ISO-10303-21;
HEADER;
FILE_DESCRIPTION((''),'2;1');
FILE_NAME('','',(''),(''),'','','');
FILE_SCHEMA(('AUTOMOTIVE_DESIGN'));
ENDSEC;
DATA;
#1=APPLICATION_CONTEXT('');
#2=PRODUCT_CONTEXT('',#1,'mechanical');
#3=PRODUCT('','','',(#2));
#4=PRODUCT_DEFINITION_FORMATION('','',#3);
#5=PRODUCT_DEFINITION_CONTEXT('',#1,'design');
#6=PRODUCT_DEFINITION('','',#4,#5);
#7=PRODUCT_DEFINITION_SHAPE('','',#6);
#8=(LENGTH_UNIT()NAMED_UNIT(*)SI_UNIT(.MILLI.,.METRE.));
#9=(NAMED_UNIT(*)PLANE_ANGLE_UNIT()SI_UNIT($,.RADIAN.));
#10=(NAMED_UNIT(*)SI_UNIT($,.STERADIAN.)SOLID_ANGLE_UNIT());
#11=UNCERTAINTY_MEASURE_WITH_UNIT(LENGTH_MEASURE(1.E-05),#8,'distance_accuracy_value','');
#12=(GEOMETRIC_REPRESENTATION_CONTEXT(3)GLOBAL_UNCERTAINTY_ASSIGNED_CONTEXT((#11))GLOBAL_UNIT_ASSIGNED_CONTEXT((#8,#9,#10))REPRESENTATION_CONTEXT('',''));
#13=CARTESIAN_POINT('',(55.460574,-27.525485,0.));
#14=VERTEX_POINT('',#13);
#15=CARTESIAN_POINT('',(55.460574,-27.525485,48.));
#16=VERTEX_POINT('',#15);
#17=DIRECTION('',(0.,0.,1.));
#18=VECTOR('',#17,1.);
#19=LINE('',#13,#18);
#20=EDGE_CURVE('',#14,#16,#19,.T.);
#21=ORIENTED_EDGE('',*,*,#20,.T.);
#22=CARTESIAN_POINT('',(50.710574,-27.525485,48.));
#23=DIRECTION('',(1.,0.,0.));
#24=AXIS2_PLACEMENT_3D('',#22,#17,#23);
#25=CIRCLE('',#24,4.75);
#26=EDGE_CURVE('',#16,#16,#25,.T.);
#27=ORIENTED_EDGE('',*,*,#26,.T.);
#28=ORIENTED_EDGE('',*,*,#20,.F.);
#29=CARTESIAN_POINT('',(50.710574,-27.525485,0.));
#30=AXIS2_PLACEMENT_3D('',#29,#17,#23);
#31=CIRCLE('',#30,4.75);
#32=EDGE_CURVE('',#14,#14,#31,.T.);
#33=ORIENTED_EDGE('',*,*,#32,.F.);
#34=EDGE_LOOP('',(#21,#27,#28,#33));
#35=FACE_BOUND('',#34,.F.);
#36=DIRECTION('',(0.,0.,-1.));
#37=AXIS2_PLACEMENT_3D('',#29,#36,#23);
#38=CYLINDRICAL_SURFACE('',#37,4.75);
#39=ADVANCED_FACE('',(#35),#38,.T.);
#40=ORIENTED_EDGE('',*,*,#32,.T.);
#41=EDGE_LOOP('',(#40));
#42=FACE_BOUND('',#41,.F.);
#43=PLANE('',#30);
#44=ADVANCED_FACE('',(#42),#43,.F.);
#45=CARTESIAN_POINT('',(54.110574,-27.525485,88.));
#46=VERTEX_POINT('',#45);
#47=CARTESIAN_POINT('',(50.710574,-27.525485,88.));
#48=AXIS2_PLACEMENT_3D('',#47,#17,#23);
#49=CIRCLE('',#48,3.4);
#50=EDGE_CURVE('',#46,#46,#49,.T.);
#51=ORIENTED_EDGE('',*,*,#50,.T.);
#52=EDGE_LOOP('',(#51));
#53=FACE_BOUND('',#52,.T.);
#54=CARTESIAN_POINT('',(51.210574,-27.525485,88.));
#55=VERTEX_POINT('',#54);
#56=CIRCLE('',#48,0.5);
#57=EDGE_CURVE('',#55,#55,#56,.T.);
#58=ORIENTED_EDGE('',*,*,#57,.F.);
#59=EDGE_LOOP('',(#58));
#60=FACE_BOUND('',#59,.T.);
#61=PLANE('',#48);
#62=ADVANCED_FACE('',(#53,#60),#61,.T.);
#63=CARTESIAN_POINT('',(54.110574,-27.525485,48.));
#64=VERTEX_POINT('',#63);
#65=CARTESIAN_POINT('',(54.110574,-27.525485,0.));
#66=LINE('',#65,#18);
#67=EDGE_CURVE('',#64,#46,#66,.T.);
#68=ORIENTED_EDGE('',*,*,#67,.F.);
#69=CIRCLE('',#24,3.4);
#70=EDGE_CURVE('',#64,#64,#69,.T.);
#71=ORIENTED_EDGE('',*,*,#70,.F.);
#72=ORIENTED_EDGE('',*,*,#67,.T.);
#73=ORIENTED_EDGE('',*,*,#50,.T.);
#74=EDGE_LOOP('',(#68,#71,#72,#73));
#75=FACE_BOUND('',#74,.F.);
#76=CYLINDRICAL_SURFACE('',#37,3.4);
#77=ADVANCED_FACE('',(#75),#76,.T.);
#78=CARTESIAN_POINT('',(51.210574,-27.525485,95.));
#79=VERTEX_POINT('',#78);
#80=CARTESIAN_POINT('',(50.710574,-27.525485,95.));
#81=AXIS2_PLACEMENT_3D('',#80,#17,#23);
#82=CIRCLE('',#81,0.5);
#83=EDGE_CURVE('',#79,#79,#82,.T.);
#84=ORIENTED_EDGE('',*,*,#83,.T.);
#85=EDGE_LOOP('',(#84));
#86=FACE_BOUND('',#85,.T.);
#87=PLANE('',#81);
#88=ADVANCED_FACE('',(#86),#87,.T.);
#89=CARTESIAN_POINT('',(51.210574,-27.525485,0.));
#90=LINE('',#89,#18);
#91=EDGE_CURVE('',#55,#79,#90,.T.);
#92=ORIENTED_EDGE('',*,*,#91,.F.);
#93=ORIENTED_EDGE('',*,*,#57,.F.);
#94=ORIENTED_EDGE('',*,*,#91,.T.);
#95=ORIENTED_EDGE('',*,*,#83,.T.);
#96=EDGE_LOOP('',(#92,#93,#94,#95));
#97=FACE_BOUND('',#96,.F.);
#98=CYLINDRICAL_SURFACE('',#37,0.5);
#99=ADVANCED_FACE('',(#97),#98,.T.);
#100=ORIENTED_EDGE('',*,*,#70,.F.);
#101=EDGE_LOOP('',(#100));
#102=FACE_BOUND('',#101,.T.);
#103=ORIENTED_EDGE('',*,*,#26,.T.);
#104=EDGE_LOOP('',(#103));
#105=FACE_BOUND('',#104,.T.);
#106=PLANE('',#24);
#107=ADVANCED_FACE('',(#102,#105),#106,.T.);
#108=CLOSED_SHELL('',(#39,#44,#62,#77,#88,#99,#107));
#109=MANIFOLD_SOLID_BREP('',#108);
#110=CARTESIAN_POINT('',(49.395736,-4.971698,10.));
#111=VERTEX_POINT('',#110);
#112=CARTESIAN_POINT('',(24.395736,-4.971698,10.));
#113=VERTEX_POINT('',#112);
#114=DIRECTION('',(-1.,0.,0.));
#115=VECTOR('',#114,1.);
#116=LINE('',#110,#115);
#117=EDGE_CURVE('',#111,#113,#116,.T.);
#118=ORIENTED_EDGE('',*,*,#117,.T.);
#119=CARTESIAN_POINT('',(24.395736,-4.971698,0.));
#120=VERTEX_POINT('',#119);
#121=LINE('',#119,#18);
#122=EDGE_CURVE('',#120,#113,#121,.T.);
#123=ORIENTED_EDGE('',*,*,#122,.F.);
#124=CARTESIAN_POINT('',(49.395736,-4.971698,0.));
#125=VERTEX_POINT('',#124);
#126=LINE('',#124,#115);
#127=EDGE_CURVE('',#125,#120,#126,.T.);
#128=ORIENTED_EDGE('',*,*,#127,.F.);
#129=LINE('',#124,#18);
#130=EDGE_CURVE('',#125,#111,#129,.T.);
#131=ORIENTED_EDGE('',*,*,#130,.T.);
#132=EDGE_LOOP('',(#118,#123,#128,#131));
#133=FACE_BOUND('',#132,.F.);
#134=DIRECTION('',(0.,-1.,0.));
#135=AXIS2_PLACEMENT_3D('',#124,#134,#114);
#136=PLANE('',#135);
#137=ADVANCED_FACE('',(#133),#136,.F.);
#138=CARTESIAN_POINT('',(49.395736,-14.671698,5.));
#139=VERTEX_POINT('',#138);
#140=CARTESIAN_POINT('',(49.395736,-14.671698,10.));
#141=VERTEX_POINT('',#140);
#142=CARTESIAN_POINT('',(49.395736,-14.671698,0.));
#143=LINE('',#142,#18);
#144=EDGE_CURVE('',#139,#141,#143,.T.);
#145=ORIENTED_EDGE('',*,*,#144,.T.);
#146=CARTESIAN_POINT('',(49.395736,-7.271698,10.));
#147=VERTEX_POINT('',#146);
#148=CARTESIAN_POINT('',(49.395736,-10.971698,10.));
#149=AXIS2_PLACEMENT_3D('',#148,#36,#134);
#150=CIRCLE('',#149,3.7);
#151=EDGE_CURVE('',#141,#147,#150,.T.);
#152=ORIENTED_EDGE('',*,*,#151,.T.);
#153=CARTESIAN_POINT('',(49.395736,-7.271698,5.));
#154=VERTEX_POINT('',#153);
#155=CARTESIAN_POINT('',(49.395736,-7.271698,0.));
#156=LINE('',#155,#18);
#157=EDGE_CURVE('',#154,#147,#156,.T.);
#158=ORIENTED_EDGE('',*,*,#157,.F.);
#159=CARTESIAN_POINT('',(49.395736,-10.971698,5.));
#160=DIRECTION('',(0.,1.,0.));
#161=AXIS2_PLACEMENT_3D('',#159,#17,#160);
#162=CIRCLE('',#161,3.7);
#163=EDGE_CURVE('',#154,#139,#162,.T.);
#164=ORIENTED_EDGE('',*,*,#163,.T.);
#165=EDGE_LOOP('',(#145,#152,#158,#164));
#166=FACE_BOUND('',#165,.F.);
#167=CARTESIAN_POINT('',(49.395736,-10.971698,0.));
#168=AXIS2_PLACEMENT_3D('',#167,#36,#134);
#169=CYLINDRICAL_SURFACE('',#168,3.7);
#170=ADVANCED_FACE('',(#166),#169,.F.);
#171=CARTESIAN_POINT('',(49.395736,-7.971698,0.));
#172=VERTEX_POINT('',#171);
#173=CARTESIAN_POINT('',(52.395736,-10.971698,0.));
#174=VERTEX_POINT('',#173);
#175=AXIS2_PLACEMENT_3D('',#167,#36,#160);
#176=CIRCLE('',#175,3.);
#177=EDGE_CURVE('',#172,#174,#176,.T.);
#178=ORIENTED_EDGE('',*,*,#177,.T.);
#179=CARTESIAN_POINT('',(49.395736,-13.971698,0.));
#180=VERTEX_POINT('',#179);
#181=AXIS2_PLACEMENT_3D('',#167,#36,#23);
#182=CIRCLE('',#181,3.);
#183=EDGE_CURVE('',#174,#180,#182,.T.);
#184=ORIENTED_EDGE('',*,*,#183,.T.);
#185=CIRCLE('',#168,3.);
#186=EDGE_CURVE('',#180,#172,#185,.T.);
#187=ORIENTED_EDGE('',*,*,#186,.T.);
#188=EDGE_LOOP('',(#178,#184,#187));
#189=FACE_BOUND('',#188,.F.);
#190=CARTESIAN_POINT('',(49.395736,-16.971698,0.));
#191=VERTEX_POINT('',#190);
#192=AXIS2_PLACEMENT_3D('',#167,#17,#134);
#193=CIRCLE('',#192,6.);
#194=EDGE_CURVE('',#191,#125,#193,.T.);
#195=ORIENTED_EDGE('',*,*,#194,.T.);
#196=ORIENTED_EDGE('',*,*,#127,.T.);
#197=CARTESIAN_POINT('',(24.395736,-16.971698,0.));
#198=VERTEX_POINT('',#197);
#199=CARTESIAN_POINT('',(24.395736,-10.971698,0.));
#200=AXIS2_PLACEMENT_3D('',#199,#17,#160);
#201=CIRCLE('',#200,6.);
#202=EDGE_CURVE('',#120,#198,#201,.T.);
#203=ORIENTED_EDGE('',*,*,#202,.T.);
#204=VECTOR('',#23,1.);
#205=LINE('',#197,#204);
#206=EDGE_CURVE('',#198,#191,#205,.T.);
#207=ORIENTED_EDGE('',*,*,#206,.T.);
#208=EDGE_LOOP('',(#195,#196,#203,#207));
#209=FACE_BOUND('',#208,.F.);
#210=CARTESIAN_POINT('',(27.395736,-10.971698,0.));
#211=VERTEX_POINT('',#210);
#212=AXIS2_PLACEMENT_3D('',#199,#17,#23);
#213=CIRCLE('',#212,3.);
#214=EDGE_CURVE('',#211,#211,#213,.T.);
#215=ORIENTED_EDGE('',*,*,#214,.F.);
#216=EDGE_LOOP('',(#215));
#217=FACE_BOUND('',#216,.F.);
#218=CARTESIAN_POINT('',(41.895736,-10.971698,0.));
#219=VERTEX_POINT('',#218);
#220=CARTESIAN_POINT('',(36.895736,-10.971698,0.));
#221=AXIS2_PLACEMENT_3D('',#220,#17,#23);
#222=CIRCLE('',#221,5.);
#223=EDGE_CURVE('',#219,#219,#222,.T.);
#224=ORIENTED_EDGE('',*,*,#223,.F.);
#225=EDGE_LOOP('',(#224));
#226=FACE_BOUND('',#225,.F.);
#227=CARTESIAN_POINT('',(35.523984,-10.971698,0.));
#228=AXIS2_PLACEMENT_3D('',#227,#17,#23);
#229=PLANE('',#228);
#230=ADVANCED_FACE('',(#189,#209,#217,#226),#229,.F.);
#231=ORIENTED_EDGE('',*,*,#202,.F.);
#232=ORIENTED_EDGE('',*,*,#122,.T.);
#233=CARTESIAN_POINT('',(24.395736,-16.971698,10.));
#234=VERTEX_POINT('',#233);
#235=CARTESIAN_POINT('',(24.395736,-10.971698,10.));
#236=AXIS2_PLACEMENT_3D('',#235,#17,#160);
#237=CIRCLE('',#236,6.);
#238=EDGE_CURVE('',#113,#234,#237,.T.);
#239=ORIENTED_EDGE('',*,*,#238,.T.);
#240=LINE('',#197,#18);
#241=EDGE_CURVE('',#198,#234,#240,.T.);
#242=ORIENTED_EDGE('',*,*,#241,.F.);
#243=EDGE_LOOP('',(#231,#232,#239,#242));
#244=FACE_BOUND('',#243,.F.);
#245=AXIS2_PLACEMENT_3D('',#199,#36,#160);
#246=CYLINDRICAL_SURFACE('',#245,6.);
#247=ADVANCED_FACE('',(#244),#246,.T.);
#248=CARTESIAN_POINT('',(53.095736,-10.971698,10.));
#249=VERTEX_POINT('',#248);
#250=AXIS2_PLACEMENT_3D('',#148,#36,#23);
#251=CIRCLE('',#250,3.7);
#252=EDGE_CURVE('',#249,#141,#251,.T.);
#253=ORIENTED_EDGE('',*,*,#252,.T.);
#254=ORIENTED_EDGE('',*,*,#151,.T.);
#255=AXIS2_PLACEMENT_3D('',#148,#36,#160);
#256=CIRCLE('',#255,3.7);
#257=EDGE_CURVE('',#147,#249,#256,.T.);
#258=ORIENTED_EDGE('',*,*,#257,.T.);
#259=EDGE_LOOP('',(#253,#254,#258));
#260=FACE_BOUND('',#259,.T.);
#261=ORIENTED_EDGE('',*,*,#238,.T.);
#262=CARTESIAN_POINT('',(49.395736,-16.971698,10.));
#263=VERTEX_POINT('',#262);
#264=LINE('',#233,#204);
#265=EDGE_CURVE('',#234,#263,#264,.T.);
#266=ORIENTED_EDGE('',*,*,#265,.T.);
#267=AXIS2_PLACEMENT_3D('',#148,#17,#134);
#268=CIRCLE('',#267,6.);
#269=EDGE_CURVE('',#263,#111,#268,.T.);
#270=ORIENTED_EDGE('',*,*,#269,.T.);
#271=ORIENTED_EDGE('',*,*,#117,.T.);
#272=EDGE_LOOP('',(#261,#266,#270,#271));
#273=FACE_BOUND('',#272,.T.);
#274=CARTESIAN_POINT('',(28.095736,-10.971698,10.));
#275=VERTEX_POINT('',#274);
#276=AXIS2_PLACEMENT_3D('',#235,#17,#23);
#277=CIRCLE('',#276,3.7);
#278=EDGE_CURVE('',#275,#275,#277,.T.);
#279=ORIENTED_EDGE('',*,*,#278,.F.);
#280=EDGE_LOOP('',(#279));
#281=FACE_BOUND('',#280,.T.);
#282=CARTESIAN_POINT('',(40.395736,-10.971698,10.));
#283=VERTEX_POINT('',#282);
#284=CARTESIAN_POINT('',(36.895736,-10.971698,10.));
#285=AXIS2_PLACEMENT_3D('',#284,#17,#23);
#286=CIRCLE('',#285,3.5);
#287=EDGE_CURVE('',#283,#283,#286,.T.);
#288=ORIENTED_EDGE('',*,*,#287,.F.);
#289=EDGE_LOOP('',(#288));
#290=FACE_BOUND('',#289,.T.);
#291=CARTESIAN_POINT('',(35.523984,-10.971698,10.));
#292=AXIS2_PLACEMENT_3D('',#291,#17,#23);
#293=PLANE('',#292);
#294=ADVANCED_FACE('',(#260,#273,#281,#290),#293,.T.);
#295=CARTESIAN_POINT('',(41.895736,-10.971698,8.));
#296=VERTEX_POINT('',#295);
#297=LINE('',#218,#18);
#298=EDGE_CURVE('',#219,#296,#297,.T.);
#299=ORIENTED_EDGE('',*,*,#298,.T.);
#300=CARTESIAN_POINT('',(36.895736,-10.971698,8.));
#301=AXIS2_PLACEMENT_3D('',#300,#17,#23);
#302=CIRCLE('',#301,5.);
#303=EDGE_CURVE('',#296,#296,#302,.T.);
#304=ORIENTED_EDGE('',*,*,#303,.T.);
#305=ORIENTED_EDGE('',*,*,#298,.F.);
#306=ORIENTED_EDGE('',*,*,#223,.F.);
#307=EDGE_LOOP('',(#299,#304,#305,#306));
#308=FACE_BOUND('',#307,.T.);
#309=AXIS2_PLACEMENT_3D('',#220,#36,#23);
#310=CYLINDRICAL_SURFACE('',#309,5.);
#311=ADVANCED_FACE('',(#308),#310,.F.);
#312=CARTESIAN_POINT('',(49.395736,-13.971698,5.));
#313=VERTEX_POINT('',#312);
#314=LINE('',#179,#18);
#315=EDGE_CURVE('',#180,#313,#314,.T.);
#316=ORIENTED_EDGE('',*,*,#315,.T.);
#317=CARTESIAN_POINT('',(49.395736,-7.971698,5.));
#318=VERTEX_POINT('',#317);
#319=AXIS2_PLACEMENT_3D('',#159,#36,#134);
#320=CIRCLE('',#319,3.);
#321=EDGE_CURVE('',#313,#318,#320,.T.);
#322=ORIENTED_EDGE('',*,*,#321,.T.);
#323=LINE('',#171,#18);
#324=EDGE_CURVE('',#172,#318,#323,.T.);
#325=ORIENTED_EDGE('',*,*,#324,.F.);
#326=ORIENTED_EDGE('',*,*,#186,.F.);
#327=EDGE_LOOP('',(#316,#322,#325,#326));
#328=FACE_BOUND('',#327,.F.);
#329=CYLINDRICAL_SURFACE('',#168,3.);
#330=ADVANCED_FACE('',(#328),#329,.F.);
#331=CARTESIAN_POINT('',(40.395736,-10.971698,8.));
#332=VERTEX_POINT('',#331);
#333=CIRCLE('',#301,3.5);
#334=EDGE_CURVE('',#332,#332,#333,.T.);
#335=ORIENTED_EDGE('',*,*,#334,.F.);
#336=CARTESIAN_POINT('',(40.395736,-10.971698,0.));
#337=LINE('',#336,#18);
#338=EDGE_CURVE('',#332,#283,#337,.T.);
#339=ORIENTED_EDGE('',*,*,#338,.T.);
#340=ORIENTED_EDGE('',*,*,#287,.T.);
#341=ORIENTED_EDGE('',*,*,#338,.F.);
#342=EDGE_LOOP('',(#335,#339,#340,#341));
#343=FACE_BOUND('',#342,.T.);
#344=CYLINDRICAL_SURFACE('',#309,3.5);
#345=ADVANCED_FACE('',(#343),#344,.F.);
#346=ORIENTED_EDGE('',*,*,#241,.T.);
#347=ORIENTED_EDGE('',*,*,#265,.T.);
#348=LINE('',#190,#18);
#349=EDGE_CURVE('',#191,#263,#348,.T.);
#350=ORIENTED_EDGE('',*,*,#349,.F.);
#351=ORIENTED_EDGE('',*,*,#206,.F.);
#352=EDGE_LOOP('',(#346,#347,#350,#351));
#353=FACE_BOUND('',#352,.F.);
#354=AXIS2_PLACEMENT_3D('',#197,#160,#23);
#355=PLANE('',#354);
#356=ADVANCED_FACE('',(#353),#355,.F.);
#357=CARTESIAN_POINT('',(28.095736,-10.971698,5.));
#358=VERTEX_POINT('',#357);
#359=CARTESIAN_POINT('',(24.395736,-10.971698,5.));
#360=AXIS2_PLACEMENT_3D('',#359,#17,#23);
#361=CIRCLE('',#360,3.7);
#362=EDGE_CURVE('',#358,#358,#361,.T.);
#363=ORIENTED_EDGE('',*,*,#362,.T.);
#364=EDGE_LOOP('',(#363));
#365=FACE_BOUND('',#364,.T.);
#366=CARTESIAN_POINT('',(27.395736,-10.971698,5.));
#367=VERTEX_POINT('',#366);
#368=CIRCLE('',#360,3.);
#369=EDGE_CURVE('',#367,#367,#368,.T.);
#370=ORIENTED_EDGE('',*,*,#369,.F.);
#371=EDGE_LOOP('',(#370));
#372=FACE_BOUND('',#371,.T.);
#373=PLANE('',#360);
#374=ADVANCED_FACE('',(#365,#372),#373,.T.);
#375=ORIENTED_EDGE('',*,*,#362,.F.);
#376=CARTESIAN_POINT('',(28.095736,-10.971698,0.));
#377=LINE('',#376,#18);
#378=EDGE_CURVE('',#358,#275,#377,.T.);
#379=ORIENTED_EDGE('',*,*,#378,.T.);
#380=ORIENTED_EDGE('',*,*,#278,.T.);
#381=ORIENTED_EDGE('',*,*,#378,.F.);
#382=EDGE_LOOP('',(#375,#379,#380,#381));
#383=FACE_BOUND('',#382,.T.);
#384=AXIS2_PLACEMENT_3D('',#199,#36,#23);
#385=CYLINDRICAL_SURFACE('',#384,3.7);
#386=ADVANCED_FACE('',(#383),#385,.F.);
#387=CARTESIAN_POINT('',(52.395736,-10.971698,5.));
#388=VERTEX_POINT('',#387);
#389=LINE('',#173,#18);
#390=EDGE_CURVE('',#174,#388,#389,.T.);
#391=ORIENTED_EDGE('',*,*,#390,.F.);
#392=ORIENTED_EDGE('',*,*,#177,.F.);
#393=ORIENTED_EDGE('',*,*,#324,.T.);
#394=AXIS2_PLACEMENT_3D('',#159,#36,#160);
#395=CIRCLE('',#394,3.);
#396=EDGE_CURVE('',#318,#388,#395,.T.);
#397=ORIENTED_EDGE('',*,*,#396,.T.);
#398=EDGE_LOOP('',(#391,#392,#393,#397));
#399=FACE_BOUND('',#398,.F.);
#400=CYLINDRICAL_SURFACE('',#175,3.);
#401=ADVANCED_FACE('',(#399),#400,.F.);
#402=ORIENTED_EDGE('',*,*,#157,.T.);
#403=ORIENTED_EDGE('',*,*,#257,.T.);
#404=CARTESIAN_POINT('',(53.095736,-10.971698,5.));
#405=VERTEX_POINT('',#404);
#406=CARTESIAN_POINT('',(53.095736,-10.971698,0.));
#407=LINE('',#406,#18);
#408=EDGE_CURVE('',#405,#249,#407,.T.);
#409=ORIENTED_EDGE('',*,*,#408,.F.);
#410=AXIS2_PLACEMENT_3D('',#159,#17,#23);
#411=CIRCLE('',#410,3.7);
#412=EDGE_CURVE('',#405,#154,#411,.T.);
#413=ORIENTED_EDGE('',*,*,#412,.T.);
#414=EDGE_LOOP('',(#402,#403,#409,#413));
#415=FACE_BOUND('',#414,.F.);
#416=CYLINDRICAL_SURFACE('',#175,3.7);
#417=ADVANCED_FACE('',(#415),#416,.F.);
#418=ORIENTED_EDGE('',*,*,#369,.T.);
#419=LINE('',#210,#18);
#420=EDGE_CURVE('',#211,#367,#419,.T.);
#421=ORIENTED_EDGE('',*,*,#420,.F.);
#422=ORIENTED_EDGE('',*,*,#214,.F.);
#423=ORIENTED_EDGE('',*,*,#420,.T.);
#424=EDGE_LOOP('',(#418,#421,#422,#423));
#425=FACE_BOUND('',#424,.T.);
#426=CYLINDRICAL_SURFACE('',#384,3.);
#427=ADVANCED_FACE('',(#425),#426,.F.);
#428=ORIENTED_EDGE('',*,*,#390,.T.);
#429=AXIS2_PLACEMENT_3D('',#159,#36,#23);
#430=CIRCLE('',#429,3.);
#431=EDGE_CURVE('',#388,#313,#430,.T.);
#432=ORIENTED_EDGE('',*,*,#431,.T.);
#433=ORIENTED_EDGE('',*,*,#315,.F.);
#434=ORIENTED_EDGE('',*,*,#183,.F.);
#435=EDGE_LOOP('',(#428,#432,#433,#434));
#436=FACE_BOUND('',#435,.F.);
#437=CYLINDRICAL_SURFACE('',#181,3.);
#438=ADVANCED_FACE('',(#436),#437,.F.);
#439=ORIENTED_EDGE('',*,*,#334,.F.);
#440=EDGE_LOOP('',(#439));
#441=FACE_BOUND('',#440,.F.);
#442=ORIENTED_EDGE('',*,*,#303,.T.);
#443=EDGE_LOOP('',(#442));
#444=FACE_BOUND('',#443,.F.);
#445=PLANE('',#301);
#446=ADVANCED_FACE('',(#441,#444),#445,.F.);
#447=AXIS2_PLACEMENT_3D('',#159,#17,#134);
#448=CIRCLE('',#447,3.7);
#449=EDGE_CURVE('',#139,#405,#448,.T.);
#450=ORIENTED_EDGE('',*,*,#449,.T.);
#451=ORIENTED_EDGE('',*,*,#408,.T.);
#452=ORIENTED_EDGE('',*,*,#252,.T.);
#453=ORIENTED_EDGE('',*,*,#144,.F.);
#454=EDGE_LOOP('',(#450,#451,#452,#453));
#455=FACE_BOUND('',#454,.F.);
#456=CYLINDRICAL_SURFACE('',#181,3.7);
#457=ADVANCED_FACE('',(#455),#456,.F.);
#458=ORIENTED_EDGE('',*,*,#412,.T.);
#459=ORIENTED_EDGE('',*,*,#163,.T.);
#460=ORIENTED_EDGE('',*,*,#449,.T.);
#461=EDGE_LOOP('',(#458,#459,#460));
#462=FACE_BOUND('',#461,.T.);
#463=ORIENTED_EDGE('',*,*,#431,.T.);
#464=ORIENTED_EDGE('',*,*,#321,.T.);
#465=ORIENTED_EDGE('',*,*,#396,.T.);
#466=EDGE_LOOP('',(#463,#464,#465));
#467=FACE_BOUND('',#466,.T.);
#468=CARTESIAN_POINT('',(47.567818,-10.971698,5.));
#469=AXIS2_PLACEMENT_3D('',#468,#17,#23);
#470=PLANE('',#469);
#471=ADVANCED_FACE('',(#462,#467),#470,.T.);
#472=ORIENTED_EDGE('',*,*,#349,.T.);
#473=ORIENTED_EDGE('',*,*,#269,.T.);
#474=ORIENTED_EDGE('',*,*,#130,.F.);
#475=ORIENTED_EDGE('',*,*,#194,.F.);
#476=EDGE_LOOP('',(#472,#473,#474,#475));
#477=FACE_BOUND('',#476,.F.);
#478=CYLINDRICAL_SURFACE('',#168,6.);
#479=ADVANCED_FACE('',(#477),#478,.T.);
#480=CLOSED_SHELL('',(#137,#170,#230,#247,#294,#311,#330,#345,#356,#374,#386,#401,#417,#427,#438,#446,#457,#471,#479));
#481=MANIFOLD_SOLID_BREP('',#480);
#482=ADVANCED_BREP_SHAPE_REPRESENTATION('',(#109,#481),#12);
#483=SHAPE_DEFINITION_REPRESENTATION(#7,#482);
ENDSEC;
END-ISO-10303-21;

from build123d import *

# Parameters (mm, degrees)
F1_R     = 4.75
F1_R_2   = 3.4
F2_DEPTH = 48
F1_R_3   = 0.5
F3_DEPTH = 88
F4_DEPTH = 95
F0_R     = 3.7
F0_R_2   = 3
F5_DEPTH = 5
F0_R_3   = 5
F0_R_4   = 3.5
F6_DEPTH = 10
F7_DEPTH = 8


with BuildPart() as f2:
    # F1 (on Top) → F2 (new body)
    with BuildSketch(Plane.XY):
        with Locations((50.7105737925, -27.5254845619)):
            Circle(F1_R)
        with Locations((50.7105737925, -27.5254845619)):
            Circle(F1_R_2, mode=Mode.SUBTRACT)
    extrude(amount=F2_DEPTH)

    # F1 (on Top) → F3 (join)
    with BuildSketch(Plane.XY):
        with Locations((50.7105737925, -27.5254845619)):
            Circle(F1_R_2)
        with Locations((50.7105737925, -27.5254845619)):
            Circle(F1_R_3, mode=Mode.SUBTRACT)
    extrude(amount=F3_DEPTH)

    # F1 (on Top) → F4 (join)
    with BuildSketch(Plane.XY):
        with Locations((50.7105737925, -27.5254845619)):
            Circle(F1_R_3)
    extrude(amount=F4_DEPTH)


with BuildPart() as f5:
    # F0 (on Top) → F5 (new body)
    with BuildSketch(Plane.XY):
        with Locations((24.3957359344, -10.9716980308)):
            Circle(F0_R)
        with Locations((24.3957359344, -10.9716980308)):
            Circle(F0_R_2, mode=Mode.SUBTRACT)
    extrude(amount=F5_DEPTH)



with BuildPart() as f5b:
    # F0 (on Top) → F5, piece 2 (new body)
    with BuildSketch(Plane.XY):
        with BuildLine():
            Line((49.3957359344, -7.9716980308), (49.3957359344, -7.2716980308))
            ThreePointArc((49.3957359344, -7.2716980308), (45.6957359344, -10.9716980308), (49.3957359344, -14.6716980308))
            Line((49.3957359344, -14.6716980308), (49.3957359344, -13.9716980308))
            ThreePointArc((49.3957359344, -13.9716980308), (46.3957359344, -10.9716980308), (49.3957359344, -7.9716980308))
        make_face()
        with BuildLine():
            ThreePointArc((53.0957359344, -10.9716980308), (52.0120310248, -8.3554029404), (49.3957359344, -7.2716980308))
            Line((49.3957359344, -7.2716980308), (49.3957359344, -7.9716980308))
            ThreePointArc((49.3957359344, -7.9716980308), (51.5170562779, -8.8503776873), (52.3957359344, -10.9716980308))
            ThreePointArc((52.3957359344, -10.9716980308), (51.5170562779, -13.0930183744), (49.3957359344, -13.9716980308))
            Line((49.3957359344, -13.9716980308), (49.3957359344, -14.6716980308))
            ThreePointArc((49.3957359344, -14.6716980308), (52.0120310248, -13.5879931212), (53.0957359344, -10.9716980308))
        make_face()
    extrude(amount=F5_DEPTH)


with BuildPart() as f5_1:
    add(f5.part)

    add(f5b.part)  # F6 merges F5b
    # F0 (on Top) → F6 (join)
    with BuildSketch(Plane.XY):
        with BuildLine():
            Line((36.8957359344, -4.9716980308), (24.3957359344, -4.9716980308))
            ThreePointArc((24.3957359344, -4.9716980308), (18.3957359344, -10.9716980308), (24.3957359344, -16.9716980308))
            Line((24.3957359344, -16.9716980308), (36.8957359344, -16.9716980308))
            Line((36.8957359344, -16.9716980308), (49.3957359344, -16.9716980308))
            Line((49.3957359344, -16.9716980308), (49.3957359344, -14.6716980308))
            ThreePointArc((49.3957359344, -14.6716980308), (45.6957359344, -10.9716980308), (49.3957359344, -7.2716980308))
            Line((49.3957359344, -7.2716980308), (49.3957359344, -4.9716980308))
            Line((49.3957359344, -4.9716980308), (36.8957359344, -4.9716980308))
        make_face()
        with Locations((24.3957359344, -10.9716980308)):
            Circle(F0_R, mode=Mode.SUBTRACT)
        with Locations((36.8957359344, -10.9716980308)):
            Circle(F0_R_3, mode=Mode.SUBTRACT)
        with BuildLine():
            ThreePointArc((49.3957359344, -16.9716980308), (55.3957359344, -10.9716980308), (49.3957359344, -4.9716980308))
            Line((49.3957359344, -4.9716980308), (49.3957359344, -7.2716980308))
            ThreePointArc((49.3957359344, -7.2716980308), (52.0120310248, -8.3554029404), (53.0957359344, -10.9716980308))
            ThreePointArc((53.0957359344, -10.9716980308), (52.0120310248, -13.5879931212), (49.3957359344, -14.6716980308))
            Line((49.3957359344, -14.6716980308), (49.3957359344, -16.9716980308))
        make_face()
        with Locations((36.8957359344, -10.9716980308)):
            Circle(F0_R_3)
        with Locations((36.8957359344, -10.9716980308)):
            Circle(F0_R_4, mode=Mode.SUBTRACT)
    extrude(amount=F6_DEPTH)

    # F0 (on Top) → F7 (cut)
    with BuildSketch(Plane.XY):
        with Locations((36.8957359344, -10.9716980308)):
            Circle(F0_R_3)
        with Locations((36.8957359344, -10.9716980308)):
            Circle(F0_R_4, mode=Mode.SUBTRACT)
    extrude(amount=F7_DEPTH, mode=Mode.SUBTRACT)


solid = Compound([f2.part, f5_1.part])
